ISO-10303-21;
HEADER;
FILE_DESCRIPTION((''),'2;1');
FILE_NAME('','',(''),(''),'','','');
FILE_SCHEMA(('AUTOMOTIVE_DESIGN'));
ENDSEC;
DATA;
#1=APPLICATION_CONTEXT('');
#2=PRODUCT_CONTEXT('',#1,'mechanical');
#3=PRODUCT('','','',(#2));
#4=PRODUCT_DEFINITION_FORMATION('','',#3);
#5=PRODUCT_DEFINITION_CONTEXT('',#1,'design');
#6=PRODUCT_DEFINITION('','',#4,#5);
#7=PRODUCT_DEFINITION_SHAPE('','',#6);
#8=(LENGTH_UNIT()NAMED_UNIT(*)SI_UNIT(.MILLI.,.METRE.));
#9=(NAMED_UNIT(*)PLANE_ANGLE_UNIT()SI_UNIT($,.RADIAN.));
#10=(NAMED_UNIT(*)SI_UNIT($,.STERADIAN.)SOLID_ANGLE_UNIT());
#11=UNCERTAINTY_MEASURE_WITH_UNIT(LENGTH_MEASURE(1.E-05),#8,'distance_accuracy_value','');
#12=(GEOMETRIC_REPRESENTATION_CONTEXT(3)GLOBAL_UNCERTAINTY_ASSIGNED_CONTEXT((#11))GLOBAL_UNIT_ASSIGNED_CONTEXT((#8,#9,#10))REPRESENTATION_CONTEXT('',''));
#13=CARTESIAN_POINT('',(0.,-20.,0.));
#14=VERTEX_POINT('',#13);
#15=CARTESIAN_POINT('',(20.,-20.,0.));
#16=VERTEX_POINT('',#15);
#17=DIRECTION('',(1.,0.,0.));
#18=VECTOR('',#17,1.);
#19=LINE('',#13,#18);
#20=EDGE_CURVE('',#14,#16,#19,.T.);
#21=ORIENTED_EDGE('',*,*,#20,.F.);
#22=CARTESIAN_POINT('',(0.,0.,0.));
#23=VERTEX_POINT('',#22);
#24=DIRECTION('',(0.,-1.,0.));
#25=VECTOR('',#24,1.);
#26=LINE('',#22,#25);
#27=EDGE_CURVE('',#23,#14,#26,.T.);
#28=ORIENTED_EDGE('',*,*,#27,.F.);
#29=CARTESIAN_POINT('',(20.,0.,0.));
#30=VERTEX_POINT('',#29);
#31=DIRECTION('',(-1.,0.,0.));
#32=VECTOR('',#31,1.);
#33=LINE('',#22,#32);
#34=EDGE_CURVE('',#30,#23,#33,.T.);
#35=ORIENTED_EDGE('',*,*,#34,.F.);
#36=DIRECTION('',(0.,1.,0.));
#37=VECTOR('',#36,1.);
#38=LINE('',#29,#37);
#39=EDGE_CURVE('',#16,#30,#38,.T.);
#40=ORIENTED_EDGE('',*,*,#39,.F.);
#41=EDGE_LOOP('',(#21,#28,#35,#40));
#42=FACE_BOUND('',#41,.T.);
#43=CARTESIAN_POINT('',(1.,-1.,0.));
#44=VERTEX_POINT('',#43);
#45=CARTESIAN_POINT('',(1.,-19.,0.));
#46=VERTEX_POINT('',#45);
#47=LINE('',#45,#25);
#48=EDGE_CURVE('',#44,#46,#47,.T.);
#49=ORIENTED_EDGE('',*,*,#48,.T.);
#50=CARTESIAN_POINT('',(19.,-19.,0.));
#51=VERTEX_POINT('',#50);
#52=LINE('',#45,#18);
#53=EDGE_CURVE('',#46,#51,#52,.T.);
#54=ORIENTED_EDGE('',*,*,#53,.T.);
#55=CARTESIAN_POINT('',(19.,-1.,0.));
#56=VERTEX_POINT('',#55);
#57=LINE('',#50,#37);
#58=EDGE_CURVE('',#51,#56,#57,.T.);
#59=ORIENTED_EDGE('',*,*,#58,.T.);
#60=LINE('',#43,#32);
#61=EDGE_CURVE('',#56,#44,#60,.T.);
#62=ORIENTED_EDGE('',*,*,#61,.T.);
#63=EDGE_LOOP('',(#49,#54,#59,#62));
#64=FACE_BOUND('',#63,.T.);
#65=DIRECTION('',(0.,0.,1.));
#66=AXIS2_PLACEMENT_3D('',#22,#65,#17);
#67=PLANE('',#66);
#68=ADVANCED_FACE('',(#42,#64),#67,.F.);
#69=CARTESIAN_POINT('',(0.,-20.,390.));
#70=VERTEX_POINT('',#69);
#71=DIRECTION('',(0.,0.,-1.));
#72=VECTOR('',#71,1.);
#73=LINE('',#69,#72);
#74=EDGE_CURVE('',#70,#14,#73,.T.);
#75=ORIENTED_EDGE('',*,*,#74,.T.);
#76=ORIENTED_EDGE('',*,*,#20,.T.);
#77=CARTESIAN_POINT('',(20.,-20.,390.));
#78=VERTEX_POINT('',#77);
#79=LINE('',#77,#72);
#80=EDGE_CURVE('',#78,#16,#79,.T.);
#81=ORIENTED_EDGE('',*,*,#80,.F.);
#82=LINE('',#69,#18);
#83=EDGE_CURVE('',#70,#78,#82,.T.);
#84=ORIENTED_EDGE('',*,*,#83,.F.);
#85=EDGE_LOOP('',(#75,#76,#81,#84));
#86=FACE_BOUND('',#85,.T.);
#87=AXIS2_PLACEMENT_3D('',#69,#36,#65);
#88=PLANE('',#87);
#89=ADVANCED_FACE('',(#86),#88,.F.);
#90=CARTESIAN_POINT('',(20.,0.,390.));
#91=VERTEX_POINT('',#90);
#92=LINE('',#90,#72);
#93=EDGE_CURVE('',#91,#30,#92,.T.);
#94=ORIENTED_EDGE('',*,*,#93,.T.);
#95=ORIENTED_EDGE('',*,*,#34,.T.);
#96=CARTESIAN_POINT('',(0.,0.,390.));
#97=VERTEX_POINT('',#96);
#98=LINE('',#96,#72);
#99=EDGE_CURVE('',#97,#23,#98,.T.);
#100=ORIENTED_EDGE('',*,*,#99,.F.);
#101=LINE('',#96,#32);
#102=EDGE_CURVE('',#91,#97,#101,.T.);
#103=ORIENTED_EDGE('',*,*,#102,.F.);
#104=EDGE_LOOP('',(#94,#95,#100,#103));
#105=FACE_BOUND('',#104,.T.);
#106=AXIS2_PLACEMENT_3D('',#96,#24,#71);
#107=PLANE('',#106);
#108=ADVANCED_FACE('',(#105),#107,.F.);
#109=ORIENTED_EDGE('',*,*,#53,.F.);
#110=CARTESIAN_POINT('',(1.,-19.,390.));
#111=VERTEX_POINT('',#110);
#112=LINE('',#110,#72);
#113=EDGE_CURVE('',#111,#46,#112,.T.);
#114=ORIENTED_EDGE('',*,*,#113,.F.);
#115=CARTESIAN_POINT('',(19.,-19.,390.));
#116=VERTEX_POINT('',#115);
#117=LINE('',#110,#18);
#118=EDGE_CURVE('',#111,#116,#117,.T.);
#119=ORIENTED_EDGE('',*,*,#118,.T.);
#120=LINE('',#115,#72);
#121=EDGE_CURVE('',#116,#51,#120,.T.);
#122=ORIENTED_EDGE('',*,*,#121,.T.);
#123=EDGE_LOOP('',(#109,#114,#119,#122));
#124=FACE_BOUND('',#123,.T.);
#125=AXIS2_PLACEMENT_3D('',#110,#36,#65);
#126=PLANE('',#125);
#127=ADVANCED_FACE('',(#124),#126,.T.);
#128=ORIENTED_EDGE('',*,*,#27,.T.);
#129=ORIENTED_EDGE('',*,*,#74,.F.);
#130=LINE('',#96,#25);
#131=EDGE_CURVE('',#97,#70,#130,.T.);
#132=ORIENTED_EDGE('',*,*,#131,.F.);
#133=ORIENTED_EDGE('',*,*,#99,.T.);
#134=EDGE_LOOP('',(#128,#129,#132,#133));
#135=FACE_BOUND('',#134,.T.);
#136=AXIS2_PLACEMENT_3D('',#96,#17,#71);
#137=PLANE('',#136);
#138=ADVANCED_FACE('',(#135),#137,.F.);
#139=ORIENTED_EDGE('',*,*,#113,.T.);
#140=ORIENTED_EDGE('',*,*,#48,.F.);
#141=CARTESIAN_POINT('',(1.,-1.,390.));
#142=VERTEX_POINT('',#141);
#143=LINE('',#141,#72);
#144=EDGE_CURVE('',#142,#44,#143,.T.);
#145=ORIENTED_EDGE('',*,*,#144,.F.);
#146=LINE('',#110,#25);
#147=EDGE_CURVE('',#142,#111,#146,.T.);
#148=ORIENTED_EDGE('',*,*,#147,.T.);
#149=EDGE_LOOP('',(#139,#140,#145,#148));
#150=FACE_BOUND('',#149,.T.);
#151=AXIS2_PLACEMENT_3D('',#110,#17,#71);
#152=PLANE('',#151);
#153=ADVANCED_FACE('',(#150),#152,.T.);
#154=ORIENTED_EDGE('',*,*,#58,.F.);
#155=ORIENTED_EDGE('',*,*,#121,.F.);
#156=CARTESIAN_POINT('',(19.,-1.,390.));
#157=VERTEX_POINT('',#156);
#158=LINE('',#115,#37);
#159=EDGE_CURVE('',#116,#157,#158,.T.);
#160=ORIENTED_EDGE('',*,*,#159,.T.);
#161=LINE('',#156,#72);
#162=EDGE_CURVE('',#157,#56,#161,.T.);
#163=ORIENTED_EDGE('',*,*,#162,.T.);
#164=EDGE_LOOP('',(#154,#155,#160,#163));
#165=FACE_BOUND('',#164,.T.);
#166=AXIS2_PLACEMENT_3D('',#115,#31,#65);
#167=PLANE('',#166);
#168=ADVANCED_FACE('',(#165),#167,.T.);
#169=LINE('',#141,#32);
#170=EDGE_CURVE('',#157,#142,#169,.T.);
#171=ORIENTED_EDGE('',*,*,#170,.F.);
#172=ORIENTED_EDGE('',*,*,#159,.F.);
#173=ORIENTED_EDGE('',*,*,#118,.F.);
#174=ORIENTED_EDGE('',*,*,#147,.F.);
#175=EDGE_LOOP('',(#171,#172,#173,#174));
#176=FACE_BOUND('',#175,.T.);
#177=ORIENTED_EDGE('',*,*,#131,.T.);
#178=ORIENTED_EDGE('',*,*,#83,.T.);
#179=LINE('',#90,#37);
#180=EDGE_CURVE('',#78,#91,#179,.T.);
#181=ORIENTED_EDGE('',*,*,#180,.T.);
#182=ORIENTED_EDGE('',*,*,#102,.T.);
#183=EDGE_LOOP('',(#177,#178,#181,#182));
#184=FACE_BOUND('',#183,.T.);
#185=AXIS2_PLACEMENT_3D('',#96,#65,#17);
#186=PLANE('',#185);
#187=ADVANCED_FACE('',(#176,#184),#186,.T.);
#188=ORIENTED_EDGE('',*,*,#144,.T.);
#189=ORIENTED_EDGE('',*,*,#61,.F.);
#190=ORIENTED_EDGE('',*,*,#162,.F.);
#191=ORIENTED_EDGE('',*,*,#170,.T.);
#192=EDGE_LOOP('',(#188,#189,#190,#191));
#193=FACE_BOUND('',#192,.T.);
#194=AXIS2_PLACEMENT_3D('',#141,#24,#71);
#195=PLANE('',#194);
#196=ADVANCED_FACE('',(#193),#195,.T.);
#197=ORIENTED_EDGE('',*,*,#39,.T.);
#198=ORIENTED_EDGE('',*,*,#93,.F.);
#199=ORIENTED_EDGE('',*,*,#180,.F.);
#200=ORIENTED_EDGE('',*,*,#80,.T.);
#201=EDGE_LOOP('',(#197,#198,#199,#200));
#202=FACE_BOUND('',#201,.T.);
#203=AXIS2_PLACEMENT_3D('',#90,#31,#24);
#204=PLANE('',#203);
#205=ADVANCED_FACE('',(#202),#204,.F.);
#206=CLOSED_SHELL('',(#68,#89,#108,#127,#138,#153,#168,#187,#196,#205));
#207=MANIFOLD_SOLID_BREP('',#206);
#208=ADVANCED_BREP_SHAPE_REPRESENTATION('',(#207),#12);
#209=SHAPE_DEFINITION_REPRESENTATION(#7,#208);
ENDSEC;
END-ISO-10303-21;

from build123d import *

# Parameters (mm, degrees)
SKETCH1_W           = 20
SKETCH1_H           = 20
SKETCH1_W_2         = 18
SKETCH1_H_2         = 18
BOSS_EXTRUDE1_DEPTH = 390


with BuildPart() as part:
    # Sketch1 → Boss-Extrude1 (new body)
    with BuildSketch(Plane.XY):
        with Locations((10, -10)):
            Rectangle(SKETCH1_W, SKETCH1_H)
        with Locations((10, -10)):
            Rectangle(SKETCH1_W_2, SKETCH1_H_2, mode=Mode.SUBTRACT)
    extrude(amount=BOSS_EXTRUDE1_DEPTH)


solid = part.part
